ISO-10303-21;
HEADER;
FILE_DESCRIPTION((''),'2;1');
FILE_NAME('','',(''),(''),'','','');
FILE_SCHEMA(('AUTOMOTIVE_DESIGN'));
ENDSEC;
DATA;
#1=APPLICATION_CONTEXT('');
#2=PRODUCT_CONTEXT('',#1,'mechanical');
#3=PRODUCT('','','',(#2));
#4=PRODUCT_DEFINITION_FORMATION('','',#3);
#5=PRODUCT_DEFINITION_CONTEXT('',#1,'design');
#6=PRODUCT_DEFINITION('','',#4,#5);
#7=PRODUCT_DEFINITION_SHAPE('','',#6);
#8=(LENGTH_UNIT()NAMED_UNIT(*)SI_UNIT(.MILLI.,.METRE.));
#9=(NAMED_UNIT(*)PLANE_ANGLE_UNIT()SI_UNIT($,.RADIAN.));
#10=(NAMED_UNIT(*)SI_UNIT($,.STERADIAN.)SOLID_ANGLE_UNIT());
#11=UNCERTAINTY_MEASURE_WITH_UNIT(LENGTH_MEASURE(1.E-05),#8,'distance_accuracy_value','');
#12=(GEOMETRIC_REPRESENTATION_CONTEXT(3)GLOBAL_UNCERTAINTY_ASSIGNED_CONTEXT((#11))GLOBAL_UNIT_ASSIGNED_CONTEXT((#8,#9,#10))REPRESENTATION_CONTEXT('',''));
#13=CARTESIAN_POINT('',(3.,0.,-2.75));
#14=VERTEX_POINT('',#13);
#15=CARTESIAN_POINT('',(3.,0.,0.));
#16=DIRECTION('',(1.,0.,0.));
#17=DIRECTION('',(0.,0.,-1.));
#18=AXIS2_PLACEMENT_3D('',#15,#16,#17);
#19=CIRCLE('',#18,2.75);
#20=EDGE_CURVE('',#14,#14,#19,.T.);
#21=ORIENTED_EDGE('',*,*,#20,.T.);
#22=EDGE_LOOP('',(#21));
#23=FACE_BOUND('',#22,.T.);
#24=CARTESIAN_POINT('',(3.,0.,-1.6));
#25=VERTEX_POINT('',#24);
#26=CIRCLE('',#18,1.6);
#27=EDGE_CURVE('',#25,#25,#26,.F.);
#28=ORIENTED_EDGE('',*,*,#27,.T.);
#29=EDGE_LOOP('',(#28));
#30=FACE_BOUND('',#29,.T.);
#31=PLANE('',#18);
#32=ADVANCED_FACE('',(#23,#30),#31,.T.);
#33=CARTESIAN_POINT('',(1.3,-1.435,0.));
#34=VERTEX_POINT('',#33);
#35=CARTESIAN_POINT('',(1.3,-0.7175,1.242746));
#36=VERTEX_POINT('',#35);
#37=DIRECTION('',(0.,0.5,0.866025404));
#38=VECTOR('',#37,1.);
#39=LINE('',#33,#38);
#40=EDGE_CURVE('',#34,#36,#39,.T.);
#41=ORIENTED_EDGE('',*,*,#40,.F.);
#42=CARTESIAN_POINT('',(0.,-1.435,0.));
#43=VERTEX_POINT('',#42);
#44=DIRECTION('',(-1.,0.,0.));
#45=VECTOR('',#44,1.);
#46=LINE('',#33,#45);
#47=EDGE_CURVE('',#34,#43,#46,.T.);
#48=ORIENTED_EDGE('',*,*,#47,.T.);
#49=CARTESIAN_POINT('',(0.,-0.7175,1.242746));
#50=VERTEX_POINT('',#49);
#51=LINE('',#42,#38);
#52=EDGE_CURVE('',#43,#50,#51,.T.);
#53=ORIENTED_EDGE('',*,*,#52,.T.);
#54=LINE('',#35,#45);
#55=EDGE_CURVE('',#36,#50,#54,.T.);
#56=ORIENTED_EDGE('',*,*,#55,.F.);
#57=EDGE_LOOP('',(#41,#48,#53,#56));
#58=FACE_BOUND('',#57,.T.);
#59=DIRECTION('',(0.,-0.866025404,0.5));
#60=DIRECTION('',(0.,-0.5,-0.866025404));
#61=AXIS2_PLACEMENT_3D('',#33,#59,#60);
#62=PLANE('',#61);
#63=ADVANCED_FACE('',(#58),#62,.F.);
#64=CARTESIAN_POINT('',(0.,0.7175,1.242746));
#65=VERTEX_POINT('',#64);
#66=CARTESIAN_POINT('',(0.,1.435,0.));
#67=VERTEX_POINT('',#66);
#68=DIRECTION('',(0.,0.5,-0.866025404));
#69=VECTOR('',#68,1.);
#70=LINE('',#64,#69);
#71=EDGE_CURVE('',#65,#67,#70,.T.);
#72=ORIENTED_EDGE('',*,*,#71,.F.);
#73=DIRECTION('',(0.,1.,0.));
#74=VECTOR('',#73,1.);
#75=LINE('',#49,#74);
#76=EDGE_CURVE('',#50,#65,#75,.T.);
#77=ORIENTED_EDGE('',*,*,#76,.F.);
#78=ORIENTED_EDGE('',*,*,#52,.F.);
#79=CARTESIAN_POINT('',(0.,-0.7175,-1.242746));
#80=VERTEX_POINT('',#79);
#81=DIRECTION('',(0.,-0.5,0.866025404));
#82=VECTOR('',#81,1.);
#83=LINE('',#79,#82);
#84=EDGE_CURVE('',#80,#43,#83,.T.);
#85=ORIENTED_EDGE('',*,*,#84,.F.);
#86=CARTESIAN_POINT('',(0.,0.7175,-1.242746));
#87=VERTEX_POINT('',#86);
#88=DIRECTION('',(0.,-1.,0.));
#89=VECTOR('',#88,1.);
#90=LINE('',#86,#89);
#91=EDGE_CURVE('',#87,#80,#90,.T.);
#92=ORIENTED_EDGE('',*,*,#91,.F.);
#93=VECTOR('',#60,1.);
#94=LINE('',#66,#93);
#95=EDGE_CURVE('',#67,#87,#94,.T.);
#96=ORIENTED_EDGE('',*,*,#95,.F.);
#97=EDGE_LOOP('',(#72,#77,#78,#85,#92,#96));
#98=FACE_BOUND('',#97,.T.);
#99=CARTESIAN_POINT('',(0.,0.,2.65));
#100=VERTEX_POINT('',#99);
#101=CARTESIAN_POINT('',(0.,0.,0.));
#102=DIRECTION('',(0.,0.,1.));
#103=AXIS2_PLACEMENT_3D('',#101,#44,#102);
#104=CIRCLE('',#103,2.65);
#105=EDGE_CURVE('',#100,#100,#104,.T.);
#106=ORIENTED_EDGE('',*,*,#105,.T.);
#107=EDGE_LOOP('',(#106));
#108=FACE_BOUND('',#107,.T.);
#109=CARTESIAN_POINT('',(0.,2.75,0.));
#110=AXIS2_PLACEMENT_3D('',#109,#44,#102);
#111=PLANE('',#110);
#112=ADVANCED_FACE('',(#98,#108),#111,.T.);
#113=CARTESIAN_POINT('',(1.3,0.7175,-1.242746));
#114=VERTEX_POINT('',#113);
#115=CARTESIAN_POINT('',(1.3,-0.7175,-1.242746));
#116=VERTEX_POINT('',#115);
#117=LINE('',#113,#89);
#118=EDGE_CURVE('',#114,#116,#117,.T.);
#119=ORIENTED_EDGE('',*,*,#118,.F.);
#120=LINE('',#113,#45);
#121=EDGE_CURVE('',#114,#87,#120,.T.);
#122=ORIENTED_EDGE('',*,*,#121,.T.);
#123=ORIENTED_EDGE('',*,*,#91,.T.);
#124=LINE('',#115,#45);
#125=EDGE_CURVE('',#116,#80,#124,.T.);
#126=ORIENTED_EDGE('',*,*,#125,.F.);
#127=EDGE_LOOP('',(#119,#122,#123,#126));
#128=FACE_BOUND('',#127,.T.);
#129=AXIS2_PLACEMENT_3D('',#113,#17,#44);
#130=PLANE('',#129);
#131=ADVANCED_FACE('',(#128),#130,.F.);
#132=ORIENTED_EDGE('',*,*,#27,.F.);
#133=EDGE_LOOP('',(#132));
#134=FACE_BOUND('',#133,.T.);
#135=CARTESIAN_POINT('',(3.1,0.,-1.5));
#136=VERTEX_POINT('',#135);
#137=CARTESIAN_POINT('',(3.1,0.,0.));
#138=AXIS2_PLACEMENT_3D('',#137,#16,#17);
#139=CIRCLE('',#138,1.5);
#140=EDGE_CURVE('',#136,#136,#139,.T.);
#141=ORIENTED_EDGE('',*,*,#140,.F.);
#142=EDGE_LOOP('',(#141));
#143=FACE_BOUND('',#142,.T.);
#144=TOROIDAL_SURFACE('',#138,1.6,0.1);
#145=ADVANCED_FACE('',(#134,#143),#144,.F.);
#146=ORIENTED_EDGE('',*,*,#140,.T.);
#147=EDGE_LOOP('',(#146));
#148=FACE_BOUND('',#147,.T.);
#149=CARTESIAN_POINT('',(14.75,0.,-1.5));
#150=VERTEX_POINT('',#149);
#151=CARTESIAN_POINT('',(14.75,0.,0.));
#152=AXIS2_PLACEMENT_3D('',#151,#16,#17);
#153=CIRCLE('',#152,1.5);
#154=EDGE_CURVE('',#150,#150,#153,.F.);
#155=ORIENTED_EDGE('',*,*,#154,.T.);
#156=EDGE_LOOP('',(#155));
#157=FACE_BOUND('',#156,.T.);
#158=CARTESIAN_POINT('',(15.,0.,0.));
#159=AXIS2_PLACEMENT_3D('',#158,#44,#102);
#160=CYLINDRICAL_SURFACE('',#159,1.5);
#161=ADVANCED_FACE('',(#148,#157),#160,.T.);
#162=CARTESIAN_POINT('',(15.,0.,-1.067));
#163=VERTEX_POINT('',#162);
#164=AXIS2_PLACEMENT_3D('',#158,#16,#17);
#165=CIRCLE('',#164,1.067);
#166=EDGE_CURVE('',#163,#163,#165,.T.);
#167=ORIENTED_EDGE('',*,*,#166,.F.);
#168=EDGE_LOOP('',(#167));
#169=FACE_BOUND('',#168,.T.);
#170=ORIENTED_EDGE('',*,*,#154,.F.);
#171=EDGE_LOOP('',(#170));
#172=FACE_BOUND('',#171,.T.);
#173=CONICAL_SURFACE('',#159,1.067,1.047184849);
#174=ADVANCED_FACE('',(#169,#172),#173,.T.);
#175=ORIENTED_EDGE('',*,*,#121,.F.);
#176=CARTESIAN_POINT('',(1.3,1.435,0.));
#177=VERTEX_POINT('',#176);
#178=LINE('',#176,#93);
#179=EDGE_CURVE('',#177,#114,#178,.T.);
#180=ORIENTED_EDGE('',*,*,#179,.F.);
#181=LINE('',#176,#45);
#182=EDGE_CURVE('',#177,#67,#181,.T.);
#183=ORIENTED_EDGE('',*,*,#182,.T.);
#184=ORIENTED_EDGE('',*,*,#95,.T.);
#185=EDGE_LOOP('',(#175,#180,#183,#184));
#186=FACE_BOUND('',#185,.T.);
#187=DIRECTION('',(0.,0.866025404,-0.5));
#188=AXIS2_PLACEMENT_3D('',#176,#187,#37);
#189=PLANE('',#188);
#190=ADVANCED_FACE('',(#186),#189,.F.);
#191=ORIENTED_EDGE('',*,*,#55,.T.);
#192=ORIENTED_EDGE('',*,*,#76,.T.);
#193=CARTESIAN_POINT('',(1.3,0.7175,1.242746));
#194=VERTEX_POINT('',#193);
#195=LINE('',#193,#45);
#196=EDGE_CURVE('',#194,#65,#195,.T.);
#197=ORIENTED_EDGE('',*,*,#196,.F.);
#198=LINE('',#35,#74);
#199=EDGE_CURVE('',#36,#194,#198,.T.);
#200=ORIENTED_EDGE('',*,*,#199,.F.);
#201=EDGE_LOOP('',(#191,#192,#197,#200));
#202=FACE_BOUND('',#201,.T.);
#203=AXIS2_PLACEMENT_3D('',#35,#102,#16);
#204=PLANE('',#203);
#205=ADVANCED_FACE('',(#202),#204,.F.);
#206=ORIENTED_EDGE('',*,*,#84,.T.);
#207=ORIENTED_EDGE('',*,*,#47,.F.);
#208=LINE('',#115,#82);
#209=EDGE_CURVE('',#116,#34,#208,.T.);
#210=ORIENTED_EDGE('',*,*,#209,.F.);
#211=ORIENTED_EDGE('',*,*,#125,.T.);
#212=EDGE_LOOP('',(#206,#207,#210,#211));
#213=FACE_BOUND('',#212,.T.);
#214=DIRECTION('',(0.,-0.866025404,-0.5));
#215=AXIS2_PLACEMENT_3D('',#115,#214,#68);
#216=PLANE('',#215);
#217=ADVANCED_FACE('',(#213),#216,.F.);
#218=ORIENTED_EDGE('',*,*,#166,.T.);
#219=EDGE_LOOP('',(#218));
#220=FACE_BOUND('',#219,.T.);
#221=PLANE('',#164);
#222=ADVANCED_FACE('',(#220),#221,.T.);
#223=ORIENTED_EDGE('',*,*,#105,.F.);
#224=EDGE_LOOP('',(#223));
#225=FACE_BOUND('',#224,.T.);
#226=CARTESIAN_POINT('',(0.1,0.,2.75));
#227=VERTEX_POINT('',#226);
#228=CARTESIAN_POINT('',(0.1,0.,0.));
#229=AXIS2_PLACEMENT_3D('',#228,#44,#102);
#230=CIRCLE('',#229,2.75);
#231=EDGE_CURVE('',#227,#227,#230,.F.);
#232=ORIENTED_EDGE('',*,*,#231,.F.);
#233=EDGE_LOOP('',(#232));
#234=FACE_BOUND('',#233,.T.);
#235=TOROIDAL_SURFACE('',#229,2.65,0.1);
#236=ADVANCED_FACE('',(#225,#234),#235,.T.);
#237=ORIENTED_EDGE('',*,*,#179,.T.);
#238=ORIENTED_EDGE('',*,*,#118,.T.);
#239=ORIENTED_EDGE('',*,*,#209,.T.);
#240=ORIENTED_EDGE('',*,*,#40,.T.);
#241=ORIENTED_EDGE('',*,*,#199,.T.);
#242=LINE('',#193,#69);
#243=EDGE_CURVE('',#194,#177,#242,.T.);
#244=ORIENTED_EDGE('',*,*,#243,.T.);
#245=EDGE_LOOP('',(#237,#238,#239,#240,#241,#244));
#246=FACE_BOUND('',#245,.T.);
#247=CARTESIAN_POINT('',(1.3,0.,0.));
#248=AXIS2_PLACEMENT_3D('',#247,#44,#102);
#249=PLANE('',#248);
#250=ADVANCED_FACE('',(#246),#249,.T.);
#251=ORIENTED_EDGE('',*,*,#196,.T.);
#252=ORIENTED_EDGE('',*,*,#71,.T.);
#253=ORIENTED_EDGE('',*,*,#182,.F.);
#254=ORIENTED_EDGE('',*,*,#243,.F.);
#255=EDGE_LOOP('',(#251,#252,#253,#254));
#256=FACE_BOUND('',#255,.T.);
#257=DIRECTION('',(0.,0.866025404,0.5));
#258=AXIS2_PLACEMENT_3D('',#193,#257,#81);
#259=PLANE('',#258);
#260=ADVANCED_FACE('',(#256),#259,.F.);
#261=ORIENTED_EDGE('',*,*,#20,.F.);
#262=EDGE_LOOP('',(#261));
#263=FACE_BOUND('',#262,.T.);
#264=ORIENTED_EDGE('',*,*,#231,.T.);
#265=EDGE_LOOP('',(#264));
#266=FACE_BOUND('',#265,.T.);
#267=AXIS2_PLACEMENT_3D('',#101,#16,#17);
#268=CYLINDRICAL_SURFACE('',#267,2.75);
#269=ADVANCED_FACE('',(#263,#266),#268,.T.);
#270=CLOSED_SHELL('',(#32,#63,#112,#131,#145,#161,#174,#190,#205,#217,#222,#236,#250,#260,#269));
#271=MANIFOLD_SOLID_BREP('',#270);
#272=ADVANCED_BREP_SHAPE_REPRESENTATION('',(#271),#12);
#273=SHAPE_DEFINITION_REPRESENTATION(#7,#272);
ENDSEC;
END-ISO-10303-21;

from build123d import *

# Parameters (mm, degrees)
SKETCH_1_W          = 3
SKETCH_1_H          = 2.75
SKETCH_2_R          = 1.5
EXTRUDE_1_DEPTH     = 12
CUT_EXTRUDE_1_DEPTH = 1.3
CHAMFER_1_SIZE      = 0.433
CHAMFER_1_SIZE2     = 0.25
FILLET_1_R          = 0.1


with BuildPart() as part:
    # 草图1 → 旋转1 (revolve)
    with BuildSketch(Plane.XY):
        with Locations((1.5, 1.375)):
            Rectangle(SKETCH_1_W, SKETCH_1_H)
    revolve(axis=Axis((0, 0, 0), (1, 0, 0)))

    # 草图2 → 凸台-拉伸1 (add)
    with BuildSketch(Plane(origin=(3, 0, 0), x_dir=(0, 0, -1), z_dir=(1, 0, 0))):
        Circle(SKETCH_2_R)
    extrude(amount=EXTRUDE_1_DEPTH)

    # 草图3 → 切除-拉伸1 (cut)
    with BuildSketch(Plane.ZY):
        Polygon((0, 1.435), (-1.242746454, 0.7175), (-1.242746454, -0.7175), (0, -1.435), (1.242746454, -0.7175), (1.242746454, 0.7175), align=None)
    extrude(amount=-CUT_EXTRUDE_1_DEPTH, mode=Mode.SUBTRACT)

    # 倒角1
    chamfer_1_edges = [part.edges().sort_by_distance(p)[0] for p in [
        (15, 0, 1.5),
    ]]
    chamfer_1_side = [part.faces().sort_by_distance(p)[0] for p in [
        (15, 0, 0),
    ]]
    chamfer(chamfer_1_edges, length=CHAMFER_1_SIZE, length2=CHAMFER_1_SIZE2, reference=chamfer_1_side[0])

    # 圆角1
    fillet_1_edges = [part.edges().sort_by_distance(p)[0] for p in [
        (0, -2.75, 0),
        (3, 0, 1.5),
    ]]
    fillet(fillet_1_edges, radius=FILLET_1_R)


solid = part.part
